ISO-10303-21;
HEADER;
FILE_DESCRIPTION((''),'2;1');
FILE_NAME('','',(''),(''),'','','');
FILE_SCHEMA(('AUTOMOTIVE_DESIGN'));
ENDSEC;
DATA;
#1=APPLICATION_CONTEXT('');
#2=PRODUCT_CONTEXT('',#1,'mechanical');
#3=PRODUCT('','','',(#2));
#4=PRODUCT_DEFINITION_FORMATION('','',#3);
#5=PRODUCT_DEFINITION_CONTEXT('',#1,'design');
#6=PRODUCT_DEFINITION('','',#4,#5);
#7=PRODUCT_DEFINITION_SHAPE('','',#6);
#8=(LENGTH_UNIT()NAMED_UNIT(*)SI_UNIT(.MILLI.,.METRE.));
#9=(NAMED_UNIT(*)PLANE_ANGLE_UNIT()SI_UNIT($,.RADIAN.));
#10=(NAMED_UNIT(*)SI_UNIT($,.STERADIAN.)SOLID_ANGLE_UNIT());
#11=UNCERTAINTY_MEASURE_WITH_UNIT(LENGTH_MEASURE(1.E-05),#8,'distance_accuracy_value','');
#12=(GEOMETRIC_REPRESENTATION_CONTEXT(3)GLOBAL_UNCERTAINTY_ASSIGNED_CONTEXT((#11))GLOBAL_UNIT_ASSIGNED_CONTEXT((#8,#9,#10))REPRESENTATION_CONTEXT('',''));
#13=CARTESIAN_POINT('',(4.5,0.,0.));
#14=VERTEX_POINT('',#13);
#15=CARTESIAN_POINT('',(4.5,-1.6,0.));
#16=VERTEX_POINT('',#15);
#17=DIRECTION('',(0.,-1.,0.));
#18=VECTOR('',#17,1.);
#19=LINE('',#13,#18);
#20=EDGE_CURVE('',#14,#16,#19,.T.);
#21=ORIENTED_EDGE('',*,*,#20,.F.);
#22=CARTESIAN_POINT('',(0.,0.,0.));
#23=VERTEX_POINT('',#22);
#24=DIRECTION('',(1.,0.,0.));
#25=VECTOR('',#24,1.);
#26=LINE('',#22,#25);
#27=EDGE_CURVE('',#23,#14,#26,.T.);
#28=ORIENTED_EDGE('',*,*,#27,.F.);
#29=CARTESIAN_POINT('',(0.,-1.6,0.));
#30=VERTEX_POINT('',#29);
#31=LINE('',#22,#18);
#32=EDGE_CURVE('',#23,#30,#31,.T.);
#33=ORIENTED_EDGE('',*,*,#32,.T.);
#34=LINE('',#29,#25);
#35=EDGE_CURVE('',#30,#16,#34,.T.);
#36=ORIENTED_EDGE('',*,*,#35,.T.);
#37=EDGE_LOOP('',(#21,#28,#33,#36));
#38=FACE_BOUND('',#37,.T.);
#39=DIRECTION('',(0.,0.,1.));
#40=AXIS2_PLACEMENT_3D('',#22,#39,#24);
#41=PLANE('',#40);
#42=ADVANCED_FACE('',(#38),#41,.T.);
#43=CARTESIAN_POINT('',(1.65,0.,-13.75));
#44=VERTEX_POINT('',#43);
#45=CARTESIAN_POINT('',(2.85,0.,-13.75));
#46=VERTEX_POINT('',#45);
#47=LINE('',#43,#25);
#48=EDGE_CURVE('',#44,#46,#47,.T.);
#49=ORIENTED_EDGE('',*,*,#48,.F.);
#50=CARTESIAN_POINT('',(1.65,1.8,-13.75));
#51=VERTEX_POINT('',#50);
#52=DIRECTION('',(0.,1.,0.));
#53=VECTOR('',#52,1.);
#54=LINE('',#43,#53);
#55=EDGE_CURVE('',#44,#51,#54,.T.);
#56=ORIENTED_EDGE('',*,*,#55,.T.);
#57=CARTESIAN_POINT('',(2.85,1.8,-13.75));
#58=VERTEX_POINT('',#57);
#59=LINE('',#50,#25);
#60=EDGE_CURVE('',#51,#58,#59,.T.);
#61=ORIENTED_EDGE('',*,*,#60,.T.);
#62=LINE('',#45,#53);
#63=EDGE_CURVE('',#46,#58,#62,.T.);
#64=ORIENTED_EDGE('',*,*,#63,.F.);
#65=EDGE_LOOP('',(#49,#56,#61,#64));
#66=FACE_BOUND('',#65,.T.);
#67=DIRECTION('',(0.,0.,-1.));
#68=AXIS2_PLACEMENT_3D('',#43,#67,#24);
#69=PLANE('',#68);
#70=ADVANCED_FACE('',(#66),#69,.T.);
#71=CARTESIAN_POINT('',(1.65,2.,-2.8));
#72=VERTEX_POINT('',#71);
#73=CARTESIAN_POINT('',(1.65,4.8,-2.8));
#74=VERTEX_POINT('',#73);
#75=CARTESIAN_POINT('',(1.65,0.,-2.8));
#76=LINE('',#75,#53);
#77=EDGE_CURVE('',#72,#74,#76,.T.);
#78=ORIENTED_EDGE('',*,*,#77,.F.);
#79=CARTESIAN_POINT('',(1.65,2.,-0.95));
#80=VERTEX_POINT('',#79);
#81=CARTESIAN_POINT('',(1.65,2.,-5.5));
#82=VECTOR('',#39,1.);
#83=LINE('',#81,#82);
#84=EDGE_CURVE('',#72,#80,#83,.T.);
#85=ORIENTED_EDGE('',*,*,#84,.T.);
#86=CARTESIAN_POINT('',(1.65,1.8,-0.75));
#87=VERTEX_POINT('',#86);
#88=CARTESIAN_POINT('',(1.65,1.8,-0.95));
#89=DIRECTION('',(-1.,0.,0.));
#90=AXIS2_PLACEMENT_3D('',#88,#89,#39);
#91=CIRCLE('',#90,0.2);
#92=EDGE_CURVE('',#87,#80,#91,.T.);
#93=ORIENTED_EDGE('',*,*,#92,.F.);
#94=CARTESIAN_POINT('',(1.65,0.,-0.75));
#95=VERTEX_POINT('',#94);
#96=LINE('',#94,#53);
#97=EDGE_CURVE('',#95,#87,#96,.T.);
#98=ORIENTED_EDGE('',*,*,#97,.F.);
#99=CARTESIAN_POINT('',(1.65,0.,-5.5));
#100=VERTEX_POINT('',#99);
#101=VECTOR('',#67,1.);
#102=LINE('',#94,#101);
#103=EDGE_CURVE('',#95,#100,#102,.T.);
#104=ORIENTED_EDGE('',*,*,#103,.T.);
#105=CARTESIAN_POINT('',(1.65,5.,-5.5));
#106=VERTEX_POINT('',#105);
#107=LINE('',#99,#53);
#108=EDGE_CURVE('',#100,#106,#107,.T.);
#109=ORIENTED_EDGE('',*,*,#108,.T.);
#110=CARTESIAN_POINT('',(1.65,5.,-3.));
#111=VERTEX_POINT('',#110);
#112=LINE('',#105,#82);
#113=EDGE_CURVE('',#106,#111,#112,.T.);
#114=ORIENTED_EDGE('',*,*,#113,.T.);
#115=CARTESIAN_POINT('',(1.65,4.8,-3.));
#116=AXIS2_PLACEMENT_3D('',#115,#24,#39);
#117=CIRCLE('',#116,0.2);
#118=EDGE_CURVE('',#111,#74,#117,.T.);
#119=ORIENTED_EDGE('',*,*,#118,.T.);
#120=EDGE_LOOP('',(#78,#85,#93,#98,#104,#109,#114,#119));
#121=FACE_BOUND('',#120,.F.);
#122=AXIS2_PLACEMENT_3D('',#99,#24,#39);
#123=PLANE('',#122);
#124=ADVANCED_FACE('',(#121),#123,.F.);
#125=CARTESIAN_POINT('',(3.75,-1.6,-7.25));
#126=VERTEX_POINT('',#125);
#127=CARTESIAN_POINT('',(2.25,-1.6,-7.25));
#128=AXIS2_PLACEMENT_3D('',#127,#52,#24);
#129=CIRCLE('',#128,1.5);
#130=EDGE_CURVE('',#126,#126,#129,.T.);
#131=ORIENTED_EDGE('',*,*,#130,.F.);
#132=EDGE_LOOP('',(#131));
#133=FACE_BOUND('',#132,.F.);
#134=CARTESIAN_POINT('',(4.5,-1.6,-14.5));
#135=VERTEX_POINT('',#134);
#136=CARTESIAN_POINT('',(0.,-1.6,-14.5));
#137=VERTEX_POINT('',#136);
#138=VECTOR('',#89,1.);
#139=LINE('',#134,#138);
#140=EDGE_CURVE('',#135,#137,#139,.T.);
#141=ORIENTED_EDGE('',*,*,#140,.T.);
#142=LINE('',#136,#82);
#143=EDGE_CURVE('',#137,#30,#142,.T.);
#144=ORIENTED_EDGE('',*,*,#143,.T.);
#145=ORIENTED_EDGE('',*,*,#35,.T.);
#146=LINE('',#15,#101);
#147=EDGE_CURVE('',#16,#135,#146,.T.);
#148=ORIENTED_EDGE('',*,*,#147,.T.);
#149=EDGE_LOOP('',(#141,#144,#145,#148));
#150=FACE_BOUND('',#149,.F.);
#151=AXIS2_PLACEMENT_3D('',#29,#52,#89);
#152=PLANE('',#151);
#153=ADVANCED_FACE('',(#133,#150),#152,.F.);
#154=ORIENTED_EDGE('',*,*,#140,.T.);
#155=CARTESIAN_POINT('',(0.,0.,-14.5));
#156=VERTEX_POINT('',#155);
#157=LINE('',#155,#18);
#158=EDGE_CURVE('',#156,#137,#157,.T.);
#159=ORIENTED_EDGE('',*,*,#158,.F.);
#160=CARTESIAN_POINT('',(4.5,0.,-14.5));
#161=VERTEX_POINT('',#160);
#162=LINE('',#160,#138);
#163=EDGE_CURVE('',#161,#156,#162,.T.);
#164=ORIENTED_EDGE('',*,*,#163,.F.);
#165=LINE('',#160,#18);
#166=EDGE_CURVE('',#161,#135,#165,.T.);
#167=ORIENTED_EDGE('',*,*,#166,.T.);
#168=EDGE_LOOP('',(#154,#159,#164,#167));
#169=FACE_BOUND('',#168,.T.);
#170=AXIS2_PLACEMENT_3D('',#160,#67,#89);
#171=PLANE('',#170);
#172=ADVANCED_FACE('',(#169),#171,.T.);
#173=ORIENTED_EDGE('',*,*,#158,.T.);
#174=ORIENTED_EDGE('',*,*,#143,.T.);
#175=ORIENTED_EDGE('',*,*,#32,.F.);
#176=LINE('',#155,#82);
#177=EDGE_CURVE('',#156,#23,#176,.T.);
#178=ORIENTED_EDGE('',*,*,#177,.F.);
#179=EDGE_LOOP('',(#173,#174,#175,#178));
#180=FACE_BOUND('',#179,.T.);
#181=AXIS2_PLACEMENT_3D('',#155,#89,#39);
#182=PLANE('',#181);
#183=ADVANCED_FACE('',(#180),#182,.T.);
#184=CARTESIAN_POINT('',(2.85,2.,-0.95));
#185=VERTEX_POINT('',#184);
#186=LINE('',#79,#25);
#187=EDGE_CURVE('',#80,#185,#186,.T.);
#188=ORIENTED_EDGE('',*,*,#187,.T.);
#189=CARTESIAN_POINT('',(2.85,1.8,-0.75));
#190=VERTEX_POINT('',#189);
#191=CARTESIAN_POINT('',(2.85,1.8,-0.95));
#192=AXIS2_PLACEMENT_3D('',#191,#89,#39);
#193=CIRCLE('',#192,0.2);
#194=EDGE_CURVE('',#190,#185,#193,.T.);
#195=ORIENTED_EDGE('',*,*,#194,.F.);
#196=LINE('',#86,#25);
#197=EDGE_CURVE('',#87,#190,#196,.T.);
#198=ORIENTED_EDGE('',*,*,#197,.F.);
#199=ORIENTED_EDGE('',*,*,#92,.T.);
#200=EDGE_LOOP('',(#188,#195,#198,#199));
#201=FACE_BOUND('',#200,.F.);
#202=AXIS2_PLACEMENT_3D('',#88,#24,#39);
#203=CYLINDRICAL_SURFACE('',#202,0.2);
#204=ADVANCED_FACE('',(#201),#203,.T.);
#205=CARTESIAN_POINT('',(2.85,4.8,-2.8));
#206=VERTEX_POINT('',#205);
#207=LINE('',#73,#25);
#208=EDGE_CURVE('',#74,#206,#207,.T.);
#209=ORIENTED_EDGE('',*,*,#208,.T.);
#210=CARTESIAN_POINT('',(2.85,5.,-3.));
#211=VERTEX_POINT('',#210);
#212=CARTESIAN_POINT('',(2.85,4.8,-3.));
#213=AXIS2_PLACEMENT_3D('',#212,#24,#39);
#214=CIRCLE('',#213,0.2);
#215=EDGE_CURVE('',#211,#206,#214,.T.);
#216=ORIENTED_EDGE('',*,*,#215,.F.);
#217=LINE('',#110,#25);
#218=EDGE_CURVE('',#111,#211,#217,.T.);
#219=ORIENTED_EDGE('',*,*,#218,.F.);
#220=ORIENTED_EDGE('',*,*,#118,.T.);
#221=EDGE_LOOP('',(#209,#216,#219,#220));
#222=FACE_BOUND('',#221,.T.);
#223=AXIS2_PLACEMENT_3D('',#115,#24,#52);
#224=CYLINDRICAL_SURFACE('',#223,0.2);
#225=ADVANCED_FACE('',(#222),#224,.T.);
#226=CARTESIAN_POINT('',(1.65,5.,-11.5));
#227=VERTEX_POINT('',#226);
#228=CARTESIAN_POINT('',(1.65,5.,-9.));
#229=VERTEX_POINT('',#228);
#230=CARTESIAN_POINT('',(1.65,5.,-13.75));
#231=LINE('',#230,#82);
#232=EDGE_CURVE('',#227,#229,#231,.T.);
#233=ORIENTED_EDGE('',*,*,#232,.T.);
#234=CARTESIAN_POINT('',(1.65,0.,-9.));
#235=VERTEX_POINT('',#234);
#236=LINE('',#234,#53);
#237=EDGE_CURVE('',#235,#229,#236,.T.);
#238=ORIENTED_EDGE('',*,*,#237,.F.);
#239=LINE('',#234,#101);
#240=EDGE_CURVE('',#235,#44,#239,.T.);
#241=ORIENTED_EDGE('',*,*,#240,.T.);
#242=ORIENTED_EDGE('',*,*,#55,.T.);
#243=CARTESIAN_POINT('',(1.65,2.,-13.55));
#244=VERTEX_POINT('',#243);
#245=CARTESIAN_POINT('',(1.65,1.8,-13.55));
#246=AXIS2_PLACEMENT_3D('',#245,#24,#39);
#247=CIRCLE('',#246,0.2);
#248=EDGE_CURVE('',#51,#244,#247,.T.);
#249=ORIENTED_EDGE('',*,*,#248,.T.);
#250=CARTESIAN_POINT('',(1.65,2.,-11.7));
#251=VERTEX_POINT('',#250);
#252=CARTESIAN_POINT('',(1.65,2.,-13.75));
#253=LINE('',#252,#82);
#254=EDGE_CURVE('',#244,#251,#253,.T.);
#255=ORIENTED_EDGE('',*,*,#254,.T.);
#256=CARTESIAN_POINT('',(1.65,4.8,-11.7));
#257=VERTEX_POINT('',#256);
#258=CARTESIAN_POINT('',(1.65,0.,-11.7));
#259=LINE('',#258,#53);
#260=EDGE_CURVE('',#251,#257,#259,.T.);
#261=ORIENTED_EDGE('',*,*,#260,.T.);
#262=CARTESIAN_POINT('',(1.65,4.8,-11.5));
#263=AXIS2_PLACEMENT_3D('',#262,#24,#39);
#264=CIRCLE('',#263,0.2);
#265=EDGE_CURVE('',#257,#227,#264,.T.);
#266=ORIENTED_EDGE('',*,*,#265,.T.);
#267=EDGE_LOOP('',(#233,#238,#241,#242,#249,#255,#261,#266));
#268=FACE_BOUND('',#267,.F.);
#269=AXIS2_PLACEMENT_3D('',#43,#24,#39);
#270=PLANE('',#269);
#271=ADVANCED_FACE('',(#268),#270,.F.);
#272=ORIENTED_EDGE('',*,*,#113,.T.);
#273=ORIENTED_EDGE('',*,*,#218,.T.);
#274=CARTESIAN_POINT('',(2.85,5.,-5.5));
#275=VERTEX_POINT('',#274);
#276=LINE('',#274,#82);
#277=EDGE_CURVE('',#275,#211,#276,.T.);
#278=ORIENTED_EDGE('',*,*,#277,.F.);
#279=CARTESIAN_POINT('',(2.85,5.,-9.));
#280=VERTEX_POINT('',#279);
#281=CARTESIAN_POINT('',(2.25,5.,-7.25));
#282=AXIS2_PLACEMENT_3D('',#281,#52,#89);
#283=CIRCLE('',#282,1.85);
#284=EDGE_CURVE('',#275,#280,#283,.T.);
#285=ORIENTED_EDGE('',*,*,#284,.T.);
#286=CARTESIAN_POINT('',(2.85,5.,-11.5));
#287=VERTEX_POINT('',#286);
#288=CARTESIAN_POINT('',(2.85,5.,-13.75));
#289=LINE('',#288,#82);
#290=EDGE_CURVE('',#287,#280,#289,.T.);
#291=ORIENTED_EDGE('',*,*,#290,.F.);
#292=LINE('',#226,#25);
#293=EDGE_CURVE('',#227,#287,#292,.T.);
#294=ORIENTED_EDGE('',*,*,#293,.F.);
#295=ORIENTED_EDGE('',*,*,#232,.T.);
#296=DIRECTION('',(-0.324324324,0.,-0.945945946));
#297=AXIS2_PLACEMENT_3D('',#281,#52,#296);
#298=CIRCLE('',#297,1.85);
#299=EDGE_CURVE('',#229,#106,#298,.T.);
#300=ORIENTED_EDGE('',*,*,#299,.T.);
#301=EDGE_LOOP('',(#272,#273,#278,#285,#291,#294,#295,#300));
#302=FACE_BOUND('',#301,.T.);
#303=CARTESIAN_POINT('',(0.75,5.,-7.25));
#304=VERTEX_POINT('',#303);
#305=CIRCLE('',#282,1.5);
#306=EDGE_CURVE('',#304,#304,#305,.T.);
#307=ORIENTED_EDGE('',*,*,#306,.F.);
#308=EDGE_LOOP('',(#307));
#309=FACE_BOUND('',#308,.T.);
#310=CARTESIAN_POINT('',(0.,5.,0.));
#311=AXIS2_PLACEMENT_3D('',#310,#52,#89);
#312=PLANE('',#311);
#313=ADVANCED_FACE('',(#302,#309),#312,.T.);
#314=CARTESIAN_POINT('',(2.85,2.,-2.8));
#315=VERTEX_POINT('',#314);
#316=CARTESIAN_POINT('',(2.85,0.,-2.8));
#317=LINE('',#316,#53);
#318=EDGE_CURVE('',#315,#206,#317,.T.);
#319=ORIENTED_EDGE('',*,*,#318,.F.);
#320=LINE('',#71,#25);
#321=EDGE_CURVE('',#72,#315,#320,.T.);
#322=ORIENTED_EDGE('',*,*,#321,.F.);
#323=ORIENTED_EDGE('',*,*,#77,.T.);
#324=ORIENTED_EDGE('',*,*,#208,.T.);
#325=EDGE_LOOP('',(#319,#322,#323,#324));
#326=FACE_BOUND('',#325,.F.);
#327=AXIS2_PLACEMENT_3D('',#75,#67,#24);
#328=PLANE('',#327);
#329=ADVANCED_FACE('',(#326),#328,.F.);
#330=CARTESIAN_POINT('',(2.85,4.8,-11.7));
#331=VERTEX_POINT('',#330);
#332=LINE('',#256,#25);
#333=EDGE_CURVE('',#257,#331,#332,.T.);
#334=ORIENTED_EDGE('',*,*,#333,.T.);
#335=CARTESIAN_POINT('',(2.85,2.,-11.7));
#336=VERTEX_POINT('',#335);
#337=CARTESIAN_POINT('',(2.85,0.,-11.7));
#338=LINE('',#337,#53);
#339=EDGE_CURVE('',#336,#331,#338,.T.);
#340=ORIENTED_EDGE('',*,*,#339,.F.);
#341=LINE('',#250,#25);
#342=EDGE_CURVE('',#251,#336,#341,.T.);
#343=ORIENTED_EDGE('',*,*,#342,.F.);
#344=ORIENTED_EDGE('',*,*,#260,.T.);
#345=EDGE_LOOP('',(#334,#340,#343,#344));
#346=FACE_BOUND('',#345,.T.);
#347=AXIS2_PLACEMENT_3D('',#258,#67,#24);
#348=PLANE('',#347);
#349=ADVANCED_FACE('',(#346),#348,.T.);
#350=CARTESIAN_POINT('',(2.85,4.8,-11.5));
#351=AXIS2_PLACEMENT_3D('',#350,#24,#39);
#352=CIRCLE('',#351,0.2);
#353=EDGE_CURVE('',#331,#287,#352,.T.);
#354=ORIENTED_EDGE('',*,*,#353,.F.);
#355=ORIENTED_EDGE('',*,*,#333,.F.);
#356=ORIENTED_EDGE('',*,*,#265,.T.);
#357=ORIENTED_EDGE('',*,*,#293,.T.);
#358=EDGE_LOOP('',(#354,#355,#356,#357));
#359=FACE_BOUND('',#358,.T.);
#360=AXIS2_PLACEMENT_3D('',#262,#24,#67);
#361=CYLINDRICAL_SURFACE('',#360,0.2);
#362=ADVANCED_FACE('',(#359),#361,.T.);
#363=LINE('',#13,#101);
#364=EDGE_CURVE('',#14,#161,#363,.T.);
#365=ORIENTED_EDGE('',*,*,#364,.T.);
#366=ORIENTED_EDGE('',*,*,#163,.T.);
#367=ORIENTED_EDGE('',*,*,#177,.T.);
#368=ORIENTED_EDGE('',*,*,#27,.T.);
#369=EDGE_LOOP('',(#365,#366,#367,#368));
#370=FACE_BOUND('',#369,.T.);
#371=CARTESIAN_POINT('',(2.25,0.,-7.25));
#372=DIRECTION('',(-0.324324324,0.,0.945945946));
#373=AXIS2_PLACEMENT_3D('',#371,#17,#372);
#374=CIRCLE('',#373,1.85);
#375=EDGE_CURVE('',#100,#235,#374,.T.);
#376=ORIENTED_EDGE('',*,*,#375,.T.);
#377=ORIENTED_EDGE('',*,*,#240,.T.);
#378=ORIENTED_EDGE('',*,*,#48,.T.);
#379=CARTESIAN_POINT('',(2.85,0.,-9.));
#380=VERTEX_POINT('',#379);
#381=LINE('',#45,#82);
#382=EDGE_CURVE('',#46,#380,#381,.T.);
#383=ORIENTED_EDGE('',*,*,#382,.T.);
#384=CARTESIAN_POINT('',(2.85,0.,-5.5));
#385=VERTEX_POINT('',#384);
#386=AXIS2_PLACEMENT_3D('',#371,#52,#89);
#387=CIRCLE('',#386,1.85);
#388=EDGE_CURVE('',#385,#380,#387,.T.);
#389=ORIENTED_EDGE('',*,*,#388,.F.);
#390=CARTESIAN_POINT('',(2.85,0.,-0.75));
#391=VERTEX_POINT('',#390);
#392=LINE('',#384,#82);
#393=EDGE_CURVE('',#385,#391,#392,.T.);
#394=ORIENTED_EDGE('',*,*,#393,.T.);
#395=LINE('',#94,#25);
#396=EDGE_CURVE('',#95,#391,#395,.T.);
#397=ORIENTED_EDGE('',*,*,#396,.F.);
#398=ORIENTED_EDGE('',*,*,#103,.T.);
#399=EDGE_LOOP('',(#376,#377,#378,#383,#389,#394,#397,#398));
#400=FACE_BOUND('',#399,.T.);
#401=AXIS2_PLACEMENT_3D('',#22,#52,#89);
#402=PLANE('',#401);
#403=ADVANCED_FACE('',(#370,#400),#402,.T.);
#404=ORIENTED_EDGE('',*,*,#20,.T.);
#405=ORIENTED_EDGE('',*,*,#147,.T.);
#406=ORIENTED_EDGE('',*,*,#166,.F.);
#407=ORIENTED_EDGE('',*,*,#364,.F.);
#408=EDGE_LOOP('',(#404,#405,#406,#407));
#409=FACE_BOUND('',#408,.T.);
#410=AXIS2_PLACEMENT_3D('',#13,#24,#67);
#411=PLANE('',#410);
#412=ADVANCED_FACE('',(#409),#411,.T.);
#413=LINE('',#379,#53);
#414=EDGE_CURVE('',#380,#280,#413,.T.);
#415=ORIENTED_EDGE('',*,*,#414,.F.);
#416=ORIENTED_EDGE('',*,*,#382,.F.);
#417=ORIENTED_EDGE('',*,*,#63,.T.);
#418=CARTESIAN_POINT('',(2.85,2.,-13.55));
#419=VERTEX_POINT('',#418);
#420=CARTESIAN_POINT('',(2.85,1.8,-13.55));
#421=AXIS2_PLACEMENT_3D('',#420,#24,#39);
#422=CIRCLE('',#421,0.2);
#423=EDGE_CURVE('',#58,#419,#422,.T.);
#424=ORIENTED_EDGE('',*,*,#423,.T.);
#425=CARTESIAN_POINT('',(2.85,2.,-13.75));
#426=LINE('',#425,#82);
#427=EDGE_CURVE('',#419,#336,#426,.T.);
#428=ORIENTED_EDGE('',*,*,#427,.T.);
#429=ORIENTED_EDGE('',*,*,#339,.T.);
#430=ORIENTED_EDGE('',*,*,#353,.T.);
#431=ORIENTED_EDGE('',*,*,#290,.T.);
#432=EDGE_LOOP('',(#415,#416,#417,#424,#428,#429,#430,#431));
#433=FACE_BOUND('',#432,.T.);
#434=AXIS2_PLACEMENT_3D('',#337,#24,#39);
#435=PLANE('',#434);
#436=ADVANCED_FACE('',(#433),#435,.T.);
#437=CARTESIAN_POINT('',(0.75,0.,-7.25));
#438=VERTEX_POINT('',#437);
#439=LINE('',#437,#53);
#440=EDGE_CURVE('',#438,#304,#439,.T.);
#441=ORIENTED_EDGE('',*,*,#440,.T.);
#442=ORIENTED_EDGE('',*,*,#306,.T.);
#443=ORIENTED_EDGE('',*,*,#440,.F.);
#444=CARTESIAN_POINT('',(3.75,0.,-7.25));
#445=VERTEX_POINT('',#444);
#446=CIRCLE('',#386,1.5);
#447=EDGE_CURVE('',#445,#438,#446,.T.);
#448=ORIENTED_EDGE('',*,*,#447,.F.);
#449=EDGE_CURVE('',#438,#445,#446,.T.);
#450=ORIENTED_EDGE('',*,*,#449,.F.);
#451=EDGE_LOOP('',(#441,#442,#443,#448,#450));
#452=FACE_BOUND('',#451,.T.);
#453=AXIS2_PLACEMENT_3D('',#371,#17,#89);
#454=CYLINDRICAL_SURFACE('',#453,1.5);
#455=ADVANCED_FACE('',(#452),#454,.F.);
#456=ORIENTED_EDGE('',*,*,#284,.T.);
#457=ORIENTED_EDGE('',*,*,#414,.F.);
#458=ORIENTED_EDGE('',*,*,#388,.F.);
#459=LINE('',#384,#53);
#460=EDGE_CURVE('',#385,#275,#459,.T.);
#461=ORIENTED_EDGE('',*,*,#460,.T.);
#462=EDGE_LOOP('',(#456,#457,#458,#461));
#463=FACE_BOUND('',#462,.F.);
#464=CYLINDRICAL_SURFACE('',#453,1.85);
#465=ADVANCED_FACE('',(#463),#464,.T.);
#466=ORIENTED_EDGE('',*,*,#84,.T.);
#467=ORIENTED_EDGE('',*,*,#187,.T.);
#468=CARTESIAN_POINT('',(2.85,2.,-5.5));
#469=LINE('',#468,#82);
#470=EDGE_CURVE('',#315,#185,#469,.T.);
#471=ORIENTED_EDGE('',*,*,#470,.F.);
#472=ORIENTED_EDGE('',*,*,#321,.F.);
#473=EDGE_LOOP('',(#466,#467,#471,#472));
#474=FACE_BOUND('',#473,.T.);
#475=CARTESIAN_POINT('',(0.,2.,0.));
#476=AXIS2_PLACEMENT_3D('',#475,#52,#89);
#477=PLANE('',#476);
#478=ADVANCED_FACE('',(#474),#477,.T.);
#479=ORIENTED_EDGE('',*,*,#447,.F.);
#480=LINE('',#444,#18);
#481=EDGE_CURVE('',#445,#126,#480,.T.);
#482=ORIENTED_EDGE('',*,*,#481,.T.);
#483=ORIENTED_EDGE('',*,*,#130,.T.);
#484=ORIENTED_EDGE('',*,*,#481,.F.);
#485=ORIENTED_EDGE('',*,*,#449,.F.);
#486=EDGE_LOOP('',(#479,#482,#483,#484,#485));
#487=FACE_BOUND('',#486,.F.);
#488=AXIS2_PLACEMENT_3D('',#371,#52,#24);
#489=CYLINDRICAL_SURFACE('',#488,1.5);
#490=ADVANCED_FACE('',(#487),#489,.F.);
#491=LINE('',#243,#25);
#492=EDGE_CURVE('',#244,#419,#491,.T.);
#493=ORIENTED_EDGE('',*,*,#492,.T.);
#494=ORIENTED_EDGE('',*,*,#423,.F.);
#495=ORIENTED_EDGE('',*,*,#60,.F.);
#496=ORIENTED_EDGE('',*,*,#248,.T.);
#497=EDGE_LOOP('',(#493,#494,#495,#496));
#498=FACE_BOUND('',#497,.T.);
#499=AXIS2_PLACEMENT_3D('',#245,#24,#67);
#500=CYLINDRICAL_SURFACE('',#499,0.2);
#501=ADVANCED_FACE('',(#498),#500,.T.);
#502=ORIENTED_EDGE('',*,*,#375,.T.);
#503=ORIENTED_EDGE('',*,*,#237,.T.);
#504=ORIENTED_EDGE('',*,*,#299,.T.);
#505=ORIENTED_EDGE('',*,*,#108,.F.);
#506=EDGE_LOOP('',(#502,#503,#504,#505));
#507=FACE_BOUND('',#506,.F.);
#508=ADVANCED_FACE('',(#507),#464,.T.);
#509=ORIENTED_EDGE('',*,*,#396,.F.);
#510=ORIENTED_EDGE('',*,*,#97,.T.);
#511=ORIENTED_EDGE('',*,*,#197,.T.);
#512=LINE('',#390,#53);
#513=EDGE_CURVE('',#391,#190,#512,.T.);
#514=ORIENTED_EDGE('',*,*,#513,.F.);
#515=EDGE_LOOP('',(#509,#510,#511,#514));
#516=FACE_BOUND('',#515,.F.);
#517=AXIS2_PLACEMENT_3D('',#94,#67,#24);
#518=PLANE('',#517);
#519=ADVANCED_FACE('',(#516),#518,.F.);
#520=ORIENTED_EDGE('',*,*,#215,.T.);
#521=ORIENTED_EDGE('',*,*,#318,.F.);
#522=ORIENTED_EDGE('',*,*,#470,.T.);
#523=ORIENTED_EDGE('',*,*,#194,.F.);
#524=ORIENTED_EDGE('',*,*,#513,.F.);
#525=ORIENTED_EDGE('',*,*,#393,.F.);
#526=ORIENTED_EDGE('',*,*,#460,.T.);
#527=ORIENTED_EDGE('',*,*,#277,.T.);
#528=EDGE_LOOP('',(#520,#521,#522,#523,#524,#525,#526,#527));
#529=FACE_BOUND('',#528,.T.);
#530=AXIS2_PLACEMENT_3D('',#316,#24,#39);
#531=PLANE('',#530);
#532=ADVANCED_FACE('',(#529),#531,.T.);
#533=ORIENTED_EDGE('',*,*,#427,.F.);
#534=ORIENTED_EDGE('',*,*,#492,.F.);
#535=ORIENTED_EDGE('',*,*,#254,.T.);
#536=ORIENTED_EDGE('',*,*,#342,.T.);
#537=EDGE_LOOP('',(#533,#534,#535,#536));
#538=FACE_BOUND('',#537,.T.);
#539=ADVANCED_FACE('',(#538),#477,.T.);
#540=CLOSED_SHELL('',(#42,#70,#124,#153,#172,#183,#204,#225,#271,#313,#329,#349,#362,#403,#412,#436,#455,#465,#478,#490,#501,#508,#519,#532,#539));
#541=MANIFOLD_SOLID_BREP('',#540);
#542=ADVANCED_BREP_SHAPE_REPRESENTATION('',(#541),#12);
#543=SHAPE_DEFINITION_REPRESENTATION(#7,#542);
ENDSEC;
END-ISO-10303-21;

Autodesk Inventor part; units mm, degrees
ref_plane "YZ Plane" through (0, 0, 0) normal (1, 0, 0) x (0, 1, 0)
ref_plane "XZ Plane" through (0, 0, 0) normal (0, 1, 0) x (-1, 0, 0)
ref_plane "XY Plane" through (0, 0, 0) normal (0, 0, 1) x (1, 0, 0)
sketch "Sketch1" plane through (0, 0, 0) normal (0, 1, 0) x (-1, 0, 0)
  line L0 (0, 0) -> (-4.5, 0)
  line L1 (-4.5, 0) -> (-4.5, -14.5)
  line L2 (-4.5, -14.5) -> (0, -14.5)
  line L3 (0, -14.5) -> (0, 0)
  circle A0 centre (-2.25, -7.25) radius 1.5
  line L4 (-1.65, -13.75) -> (-1.65, -9)
  line L5 (-1.65, -5.5) -> (-1.65, -0.75)
  line L6 (-2.85, -13.75) -> (-2.85, -9)
  line L7 (-2.85, -5.5) -> (-2.85, -0.75)
  line L8 (-1.65, -0.75) -> (-2.85, -0.75)
  line L9 (-1.65, -13.75) -> (-2.85, -13.75)
  line L10 (-1.65, -11.7) -> (-2.85, -11.7)
  line L11 (-1.65, -2.8) -> (-2.85, -2.8)
  circle A1 centre (-2.25, -7.25) radius 1.85
  dimension "d0" = 4.5
  dimension "d2" = 3
  dimension "d9" = 3.7
  dimension "d32" = 7.25
  dimension "d33" = 7.25
extrude "Extrusion1" add sketch "Sketch1" against normal blind 1.6 contours L3 L2 L1 L0 | A0 | L9 L6 L10 L4 | L10 L6 A1 L4 | A1 | L7 L11 L5 A1 | L7 L8 L5 L11
extrude "Extrusion2" add sketch "Sketch1" along normal blind 2 contours L9 L6 L10 L4 | L7 L8 L5 L11
extrude "Extrusion3" add sketch "Sketch1" along normal blind 5 contours L10 L6 A1 L4 | A1 | L7 L11 L5 A1
fillet "Fillet1" radius 0.2 4 edges at (2.25, 5, -2.8) (2.25, 5, -11.7) (2.25, 2, -0.75) (2.25, 2, -13.75)
thread "Thread1" size "M3x0.35" class "6H" standard "ANSI Metric M Profile" length 8.5
sketch "Sketch2" plane through (2.25, 0, -7.25) normal (0, 1, 0) x (1, 0, 0)
  circle A0 centre (0, 0) radius 1.5 projected
  point P0 (-2.25, -7.25)
extrude "Extrusion4" cut sketch "Sketch2" against normal blind 10
properties part number "fixação do pino" material "Aluminum 6061-AHC"
